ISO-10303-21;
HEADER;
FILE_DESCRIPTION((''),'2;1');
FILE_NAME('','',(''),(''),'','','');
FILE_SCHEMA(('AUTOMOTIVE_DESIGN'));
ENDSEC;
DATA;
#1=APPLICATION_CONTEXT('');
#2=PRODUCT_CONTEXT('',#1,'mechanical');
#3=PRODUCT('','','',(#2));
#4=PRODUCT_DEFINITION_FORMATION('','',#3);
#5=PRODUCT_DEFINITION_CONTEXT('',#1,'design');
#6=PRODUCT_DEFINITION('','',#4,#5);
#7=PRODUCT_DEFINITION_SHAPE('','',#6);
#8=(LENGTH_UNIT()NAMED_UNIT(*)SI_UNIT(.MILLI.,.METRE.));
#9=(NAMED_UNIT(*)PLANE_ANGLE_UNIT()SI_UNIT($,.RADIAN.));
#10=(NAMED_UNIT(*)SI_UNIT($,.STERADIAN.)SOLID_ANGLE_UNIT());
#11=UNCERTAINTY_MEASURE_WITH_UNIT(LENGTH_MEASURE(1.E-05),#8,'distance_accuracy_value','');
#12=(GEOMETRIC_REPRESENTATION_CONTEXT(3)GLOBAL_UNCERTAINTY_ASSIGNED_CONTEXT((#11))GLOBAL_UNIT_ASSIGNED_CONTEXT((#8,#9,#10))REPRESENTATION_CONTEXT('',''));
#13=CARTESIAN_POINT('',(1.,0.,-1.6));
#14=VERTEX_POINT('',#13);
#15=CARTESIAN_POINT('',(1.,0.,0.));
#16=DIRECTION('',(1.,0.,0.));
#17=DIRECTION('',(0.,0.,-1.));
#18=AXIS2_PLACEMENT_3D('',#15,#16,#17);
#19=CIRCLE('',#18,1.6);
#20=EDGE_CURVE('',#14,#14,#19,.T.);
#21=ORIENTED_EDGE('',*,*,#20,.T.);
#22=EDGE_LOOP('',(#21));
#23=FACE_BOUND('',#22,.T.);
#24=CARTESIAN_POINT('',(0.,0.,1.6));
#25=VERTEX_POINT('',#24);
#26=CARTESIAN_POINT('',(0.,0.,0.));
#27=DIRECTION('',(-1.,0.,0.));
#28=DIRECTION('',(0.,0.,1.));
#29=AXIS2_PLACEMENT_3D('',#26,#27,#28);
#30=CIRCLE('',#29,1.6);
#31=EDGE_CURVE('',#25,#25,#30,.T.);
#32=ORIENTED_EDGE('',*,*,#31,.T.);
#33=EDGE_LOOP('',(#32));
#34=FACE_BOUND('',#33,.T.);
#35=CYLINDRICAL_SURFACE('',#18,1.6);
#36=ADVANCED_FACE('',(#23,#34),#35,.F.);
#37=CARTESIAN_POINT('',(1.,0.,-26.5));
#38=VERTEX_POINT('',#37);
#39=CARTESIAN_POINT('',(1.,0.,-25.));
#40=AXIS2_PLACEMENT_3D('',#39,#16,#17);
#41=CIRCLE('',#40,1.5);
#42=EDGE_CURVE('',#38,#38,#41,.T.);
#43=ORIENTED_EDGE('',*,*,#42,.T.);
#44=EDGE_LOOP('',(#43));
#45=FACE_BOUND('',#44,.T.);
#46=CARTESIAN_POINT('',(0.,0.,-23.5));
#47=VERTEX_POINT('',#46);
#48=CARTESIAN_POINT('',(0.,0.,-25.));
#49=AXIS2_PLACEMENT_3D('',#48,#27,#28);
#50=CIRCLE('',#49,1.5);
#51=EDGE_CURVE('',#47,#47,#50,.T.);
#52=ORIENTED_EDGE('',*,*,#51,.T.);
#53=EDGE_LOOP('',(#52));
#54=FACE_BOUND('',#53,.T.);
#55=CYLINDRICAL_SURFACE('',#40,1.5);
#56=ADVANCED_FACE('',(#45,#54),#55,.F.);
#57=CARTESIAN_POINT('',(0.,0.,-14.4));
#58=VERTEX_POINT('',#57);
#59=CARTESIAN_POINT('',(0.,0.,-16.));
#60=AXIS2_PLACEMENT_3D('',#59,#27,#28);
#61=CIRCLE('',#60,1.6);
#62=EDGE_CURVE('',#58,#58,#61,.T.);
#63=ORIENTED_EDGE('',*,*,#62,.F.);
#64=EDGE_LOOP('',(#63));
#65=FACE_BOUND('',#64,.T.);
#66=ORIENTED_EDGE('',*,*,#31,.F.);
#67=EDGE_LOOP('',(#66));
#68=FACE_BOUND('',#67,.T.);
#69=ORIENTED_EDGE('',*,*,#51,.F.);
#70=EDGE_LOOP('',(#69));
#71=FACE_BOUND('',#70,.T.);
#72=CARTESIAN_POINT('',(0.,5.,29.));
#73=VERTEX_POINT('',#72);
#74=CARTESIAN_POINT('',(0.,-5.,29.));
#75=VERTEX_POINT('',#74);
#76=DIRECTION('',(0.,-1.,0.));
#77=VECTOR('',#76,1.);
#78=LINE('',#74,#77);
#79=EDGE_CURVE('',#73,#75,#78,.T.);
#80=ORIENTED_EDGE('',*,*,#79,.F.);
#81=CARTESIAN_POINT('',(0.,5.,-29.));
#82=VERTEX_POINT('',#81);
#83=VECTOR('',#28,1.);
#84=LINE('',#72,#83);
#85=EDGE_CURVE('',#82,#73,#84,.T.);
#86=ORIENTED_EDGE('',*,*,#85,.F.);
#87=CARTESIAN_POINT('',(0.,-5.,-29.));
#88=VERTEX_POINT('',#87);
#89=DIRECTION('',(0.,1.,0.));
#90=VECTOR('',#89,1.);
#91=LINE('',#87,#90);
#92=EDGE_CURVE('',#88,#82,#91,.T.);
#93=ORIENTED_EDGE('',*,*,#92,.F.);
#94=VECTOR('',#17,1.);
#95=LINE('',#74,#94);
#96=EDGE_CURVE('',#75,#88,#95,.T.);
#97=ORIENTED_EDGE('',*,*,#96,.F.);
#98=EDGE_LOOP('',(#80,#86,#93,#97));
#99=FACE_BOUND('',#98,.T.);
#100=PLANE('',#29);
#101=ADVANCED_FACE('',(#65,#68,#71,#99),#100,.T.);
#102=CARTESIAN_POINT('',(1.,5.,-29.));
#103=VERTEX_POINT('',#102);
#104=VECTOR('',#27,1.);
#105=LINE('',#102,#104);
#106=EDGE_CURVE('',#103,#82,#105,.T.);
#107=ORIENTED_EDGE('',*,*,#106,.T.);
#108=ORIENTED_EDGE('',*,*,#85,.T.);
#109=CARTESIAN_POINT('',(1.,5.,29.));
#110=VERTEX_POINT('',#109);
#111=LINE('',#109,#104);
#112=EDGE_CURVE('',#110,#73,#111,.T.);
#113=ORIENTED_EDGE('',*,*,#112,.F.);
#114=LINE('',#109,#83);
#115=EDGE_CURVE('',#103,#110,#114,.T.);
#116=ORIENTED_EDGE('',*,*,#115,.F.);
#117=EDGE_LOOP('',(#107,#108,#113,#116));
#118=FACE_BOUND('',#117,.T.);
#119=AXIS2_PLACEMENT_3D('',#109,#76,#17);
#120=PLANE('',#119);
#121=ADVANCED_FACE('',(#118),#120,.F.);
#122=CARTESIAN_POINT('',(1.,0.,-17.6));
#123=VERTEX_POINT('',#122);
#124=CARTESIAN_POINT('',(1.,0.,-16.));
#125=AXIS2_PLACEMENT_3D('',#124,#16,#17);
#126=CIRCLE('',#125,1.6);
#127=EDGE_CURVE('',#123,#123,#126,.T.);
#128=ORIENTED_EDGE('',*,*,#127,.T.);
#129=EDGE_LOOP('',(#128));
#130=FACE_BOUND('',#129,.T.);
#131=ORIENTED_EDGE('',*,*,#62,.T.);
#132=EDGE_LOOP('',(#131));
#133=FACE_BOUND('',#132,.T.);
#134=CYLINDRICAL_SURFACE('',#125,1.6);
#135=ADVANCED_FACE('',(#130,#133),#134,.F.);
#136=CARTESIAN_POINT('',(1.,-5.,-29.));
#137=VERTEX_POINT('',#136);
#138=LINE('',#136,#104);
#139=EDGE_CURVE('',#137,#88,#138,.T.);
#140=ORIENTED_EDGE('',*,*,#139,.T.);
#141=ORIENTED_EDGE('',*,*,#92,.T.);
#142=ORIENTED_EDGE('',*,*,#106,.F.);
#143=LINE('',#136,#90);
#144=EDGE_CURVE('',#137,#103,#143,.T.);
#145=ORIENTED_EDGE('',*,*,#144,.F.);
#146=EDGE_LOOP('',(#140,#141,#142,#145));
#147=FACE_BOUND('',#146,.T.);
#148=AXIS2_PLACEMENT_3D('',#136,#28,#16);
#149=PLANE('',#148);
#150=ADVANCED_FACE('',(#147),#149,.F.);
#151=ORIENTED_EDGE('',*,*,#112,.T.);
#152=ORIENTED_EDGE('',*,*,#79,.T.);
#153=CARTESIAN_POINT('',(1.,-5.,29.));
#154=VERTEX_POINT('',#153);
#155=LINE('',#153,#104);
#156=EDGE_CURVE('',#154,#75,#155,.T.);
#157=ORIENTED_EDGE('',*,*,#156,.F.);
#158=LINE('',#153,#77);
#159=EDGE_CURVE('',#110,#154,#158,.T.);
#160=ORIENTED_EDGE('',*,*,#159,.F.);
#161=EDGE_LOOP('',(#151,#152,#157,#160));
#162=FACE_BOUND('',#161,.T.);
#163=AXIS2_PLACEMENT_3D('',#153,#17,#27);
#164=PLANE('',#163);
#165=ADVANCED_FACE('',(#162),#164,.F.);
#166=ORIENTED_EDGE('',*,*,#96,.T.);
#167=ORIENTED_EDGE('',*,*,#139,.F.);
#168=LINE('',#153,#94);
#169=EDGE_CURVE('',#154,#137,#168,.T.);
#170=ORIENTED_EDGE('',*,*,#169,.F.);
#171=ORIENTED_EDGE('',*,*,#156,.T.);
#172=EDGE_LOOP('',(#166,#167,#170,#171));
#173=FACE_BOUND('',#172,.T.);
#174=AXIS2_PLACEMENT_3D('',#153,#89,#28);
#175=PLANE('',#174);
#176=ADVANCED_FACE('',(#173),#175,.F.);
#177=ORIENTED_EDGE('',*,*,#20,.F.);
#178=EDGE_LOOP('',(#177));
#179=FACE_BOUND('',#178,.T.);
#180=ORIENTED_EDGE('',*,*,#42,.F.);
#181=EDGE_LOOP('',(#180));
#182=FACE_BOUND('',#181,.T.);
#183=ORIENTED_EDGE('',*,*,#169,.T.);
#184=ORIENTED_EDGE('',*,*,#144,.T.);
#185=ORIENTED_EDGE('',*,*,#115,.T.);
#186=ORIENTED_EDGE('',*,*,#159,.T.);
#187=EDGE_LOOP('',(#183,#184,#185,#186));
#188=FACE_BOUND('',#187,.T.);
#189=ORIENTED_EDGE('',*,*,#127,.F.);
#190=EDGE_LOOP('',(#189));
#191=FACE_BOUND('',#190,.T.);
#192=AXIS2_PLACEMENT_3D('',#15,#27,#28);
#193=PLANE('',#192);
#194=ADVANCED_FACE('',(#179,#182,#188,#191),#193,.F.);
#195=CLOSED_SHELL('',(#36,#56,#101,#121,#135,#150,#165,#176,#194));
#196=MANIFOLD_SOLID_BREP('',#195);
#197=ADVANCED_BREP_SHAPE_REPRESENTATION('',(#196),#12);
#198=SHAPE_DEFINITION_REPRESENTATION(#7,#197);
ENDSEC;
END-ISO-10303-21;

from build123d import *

# Parameters (mm, degrees)
SKETCH_1_W           = 58
SKETCH_1_H           = 10
EXTRUDE_1_DEPTH      = 1
HOLE_WIZARD_M3_1_D   = 3.2
HOLE_WIZARD_M3_1_2_D = 3


with BuildPart() as part:
    # 草图1 → 凸台-拉伸1 (new body)
    with BuildSketch(Plane(origin=(0, 0, 0), x_dir=(0, 0, -1), z_dir=(1, 0, 0))):
        Rectangle(SKETCH_1_W, SKETCH_1_H)
    extrude(amount=EXTRUDE_1_DEPTH)

    # Hole Wizard M3 _1 (through all)
    with Locations(Plane(origin=(1, 0, 0), x_dir=(0, 0, -1), z_dir=(1, 0, 0))):
        with Locations((16, 0), (0, 0)):
            Hole(HOLE_WIZARD_M3_1_D / 2)

    # Hole Wizard M3 _1 2 (through all)
    with Locations(Plane(origin=(1, 0, 0), x_dir=(0, 0, -1), z_dir=(1, 0, 0))):
        with Locations((25, 0)):
            Hole(HOLE_WIZARD_M3_1_2_D / 2)


solid = part.part
